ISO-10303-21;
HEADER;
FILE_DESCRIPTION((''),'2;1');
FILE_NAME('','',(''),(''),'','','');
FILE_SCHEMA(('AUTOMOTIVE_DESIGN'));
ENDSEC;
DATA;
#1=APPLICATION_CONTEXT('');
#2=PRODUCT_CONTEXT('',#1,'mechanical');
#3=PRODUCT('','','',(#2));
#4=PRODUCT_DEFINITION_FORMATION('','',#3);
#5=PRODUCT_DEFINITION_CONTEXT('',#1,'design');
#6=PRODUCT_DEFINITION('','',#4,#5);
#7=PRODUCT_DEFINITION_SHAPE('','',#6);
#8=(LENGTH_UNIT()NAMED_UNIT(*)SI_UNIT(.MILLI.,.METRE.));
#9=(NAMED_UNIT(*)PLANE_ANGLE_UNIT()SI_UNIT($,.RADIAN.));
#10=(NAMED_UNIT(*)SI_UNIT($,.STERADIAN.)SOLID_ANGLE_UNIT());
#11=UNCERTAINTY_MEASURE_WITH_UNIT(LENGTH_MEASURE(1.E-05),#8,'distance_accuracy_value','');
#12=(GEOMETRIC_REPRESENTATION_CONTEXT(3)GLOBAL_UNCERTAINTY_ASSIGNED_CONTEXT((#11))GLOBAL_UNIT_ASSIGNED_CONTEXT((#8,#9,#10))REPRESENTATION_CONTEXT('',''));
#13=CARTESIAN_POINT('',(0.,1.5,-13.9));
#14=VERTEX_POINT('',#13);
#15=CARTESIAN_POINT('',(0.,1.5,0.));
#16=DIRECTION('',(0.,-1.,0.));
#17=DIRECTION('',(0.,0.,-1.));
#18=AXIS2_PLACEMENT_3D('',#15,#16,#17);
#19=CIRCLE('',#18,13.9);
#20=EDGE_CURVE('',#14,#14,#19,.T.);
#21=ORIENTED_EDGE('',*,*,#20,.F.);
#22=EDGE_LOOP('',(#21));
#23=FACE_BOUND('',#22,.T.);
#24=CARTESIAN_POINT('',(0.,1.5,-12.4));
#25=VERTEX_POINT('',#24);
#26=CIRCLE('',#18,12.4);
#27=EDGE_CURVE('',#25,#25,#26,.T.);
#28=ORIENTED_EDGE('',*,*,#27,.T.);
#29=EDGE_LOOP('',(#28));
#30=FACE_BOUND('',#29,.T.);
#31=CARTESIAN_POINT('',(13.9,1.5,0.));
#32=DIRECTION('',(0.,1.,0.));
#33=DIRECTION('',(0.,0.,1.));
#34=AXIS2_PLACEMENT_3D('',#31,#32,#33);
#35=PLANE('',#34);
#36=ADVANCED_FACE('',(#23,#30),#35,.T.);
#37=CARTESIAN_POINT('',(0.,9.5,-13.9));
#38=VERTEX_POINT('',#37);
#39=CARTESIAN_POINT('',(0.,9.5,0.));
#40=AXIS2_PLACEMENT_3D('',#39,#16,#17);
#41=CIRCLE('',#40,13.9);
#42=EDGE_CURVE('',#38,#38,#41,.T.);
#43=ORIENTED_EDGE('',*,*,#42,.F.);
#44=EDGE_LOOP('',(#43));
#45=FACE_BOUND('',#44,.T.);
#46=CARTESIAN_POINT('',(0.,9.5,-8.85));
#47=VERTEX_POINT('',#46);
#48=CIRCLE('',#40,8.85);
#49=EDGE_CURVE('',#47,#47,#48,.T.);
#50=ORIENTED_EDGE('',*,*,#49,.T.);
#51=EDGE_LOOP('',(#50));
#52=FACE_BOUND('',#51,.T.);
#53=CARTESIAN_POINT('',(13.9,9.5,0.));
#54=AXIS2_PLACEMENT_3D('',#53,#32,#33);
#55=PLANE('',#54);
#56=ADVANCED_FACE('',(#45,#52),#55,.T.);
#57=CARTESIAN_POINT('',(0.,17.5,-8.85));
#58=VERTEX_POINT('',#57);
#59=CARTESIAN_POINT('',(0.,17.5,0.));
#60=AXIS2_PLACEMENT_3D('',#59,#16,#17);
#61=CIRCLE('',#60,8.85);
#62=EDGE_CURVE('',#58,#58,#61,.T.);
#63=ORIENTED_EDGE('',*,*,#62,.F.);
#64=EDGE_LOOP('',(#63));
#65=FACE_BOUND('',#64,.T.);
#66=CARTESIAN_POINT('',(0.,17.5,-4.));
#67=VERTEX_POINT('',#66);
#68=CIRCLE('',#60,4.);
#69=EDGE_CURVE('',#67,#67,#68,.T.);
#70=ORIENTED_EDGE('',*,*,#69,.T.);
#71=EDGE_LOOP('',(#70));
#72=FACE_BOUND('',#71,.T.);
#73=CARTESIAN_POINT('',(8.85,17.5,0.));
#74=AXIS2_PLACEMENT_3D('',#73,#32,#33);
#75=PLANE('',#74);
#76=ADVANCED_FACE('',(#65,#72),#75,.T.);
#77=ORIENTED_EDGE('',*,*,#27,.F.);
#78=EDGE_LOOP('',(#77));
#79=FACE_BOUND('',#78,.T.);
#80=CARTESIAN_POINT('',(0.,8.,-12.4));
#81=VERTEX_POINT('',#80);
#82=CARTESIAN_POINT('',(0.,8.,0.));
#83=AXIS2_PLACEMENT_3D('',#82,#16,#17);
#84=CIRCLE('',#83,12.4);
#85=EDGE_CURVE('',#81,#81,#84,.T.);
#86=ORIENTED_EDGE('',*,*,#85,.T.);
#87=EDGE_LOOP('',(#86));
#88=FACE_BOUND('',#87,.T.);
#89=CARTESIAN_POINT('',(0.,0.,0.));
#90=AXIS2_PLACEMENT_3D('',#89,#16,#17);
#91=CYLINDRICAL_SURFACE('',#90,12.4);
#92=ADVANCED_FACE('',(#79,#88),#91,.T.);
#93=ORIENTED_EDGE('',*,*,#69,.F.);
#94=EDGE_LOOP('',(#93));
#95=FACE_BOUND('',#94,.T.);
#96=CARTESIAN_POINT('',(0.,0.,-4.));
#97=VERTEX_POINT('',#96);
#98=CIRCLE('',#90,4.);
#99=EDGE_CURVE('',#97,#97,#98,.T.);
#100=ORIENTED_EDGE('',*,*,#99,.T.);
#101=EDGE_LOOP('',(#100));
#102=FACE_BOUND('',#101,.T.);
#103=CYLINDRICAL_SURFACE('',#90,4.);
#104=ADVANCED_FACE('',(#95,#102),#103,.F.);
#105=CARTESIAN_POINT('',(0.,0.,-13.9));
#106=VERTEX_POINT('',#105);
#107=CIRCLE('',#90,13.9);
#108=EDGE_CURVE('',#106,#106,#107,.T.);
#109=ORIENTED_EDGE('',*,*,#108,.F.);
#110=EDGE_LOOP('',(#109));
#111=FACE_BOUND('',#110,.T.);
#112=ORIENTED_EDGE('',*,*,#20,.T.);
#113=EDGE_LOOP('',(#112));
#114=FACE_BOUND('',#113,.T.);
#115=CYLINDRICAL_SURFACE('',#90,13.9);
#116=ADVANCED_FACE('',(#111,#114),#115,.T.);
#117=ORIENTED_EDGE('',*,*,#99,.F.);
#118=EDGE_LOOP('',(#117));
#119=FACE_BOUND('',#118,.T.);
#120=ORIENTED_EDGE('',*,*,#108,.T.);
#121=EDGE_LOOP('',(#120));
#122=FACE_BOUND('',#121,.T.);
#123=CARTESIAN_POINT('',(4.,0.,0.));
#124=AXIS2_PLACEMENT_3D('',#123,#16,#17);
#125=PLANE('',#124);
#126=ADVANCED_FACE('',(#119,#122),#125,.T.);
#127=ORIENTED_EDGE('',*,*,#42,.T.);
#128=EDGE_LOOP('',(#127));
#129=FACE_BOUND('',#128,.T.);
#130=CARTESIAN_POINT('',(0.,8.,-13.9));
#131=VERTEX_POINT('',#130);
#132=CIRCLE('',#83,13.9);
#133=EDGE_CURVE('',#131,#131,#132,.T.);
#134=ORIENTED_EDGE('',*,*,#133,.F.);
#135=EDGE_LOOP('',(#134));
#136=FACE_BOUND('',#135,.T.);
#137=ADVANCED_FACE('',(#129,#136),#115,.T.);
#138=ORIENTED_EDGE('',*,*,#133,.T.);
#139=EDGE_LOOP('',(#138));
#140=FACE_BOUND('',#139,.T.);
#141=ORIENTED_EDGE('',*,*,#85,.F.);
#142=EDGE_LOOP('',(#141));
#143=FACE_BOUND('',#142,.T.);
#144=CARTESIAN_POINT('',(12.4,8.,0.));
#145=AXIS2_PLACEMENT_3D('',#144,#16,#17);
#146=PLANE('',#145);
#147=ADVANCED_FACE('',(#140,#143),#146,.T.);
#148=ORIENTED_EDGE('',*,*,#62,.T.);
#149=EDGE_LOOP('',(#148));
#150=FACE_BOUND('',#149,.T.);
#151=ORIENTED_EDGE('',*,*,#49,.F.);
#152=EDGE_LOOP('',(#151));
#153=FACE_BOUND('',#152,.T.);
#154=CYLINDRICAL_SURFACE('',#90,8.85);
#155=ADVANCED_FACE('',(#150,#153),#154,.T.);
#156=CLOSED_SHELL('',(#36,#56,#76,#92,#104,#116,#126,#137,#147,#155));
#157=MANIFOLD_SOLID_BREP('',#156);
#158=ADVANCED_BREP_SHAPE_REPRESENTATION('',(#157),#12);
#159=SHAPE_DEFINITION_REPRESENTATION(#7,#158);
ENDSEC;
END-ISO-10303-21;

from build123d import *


with BuildPart() as part:
    # Esquisse1 → Révolution1 (revolve)
    with BuildSketch(Plane.XY, mode=Mode.PRIVATE) as r_volution1_sk:
        Polygon((4, 0), (13.9, 0), (13.9, 1.5), (12.4, 1.5), (12.4, 8), (13.9, 8), (13.9, 9.5), (8.85, 9.5), (8.85, 17.5), (4, 17.5), align=None)
    revolve(r_volution1_sk.sketch.rotate(Axis((0, 0, 0), (0, 1, 0)), 90), axis=Axis((0, 0, 0), (0, 1, 0)))


solid = part.part
